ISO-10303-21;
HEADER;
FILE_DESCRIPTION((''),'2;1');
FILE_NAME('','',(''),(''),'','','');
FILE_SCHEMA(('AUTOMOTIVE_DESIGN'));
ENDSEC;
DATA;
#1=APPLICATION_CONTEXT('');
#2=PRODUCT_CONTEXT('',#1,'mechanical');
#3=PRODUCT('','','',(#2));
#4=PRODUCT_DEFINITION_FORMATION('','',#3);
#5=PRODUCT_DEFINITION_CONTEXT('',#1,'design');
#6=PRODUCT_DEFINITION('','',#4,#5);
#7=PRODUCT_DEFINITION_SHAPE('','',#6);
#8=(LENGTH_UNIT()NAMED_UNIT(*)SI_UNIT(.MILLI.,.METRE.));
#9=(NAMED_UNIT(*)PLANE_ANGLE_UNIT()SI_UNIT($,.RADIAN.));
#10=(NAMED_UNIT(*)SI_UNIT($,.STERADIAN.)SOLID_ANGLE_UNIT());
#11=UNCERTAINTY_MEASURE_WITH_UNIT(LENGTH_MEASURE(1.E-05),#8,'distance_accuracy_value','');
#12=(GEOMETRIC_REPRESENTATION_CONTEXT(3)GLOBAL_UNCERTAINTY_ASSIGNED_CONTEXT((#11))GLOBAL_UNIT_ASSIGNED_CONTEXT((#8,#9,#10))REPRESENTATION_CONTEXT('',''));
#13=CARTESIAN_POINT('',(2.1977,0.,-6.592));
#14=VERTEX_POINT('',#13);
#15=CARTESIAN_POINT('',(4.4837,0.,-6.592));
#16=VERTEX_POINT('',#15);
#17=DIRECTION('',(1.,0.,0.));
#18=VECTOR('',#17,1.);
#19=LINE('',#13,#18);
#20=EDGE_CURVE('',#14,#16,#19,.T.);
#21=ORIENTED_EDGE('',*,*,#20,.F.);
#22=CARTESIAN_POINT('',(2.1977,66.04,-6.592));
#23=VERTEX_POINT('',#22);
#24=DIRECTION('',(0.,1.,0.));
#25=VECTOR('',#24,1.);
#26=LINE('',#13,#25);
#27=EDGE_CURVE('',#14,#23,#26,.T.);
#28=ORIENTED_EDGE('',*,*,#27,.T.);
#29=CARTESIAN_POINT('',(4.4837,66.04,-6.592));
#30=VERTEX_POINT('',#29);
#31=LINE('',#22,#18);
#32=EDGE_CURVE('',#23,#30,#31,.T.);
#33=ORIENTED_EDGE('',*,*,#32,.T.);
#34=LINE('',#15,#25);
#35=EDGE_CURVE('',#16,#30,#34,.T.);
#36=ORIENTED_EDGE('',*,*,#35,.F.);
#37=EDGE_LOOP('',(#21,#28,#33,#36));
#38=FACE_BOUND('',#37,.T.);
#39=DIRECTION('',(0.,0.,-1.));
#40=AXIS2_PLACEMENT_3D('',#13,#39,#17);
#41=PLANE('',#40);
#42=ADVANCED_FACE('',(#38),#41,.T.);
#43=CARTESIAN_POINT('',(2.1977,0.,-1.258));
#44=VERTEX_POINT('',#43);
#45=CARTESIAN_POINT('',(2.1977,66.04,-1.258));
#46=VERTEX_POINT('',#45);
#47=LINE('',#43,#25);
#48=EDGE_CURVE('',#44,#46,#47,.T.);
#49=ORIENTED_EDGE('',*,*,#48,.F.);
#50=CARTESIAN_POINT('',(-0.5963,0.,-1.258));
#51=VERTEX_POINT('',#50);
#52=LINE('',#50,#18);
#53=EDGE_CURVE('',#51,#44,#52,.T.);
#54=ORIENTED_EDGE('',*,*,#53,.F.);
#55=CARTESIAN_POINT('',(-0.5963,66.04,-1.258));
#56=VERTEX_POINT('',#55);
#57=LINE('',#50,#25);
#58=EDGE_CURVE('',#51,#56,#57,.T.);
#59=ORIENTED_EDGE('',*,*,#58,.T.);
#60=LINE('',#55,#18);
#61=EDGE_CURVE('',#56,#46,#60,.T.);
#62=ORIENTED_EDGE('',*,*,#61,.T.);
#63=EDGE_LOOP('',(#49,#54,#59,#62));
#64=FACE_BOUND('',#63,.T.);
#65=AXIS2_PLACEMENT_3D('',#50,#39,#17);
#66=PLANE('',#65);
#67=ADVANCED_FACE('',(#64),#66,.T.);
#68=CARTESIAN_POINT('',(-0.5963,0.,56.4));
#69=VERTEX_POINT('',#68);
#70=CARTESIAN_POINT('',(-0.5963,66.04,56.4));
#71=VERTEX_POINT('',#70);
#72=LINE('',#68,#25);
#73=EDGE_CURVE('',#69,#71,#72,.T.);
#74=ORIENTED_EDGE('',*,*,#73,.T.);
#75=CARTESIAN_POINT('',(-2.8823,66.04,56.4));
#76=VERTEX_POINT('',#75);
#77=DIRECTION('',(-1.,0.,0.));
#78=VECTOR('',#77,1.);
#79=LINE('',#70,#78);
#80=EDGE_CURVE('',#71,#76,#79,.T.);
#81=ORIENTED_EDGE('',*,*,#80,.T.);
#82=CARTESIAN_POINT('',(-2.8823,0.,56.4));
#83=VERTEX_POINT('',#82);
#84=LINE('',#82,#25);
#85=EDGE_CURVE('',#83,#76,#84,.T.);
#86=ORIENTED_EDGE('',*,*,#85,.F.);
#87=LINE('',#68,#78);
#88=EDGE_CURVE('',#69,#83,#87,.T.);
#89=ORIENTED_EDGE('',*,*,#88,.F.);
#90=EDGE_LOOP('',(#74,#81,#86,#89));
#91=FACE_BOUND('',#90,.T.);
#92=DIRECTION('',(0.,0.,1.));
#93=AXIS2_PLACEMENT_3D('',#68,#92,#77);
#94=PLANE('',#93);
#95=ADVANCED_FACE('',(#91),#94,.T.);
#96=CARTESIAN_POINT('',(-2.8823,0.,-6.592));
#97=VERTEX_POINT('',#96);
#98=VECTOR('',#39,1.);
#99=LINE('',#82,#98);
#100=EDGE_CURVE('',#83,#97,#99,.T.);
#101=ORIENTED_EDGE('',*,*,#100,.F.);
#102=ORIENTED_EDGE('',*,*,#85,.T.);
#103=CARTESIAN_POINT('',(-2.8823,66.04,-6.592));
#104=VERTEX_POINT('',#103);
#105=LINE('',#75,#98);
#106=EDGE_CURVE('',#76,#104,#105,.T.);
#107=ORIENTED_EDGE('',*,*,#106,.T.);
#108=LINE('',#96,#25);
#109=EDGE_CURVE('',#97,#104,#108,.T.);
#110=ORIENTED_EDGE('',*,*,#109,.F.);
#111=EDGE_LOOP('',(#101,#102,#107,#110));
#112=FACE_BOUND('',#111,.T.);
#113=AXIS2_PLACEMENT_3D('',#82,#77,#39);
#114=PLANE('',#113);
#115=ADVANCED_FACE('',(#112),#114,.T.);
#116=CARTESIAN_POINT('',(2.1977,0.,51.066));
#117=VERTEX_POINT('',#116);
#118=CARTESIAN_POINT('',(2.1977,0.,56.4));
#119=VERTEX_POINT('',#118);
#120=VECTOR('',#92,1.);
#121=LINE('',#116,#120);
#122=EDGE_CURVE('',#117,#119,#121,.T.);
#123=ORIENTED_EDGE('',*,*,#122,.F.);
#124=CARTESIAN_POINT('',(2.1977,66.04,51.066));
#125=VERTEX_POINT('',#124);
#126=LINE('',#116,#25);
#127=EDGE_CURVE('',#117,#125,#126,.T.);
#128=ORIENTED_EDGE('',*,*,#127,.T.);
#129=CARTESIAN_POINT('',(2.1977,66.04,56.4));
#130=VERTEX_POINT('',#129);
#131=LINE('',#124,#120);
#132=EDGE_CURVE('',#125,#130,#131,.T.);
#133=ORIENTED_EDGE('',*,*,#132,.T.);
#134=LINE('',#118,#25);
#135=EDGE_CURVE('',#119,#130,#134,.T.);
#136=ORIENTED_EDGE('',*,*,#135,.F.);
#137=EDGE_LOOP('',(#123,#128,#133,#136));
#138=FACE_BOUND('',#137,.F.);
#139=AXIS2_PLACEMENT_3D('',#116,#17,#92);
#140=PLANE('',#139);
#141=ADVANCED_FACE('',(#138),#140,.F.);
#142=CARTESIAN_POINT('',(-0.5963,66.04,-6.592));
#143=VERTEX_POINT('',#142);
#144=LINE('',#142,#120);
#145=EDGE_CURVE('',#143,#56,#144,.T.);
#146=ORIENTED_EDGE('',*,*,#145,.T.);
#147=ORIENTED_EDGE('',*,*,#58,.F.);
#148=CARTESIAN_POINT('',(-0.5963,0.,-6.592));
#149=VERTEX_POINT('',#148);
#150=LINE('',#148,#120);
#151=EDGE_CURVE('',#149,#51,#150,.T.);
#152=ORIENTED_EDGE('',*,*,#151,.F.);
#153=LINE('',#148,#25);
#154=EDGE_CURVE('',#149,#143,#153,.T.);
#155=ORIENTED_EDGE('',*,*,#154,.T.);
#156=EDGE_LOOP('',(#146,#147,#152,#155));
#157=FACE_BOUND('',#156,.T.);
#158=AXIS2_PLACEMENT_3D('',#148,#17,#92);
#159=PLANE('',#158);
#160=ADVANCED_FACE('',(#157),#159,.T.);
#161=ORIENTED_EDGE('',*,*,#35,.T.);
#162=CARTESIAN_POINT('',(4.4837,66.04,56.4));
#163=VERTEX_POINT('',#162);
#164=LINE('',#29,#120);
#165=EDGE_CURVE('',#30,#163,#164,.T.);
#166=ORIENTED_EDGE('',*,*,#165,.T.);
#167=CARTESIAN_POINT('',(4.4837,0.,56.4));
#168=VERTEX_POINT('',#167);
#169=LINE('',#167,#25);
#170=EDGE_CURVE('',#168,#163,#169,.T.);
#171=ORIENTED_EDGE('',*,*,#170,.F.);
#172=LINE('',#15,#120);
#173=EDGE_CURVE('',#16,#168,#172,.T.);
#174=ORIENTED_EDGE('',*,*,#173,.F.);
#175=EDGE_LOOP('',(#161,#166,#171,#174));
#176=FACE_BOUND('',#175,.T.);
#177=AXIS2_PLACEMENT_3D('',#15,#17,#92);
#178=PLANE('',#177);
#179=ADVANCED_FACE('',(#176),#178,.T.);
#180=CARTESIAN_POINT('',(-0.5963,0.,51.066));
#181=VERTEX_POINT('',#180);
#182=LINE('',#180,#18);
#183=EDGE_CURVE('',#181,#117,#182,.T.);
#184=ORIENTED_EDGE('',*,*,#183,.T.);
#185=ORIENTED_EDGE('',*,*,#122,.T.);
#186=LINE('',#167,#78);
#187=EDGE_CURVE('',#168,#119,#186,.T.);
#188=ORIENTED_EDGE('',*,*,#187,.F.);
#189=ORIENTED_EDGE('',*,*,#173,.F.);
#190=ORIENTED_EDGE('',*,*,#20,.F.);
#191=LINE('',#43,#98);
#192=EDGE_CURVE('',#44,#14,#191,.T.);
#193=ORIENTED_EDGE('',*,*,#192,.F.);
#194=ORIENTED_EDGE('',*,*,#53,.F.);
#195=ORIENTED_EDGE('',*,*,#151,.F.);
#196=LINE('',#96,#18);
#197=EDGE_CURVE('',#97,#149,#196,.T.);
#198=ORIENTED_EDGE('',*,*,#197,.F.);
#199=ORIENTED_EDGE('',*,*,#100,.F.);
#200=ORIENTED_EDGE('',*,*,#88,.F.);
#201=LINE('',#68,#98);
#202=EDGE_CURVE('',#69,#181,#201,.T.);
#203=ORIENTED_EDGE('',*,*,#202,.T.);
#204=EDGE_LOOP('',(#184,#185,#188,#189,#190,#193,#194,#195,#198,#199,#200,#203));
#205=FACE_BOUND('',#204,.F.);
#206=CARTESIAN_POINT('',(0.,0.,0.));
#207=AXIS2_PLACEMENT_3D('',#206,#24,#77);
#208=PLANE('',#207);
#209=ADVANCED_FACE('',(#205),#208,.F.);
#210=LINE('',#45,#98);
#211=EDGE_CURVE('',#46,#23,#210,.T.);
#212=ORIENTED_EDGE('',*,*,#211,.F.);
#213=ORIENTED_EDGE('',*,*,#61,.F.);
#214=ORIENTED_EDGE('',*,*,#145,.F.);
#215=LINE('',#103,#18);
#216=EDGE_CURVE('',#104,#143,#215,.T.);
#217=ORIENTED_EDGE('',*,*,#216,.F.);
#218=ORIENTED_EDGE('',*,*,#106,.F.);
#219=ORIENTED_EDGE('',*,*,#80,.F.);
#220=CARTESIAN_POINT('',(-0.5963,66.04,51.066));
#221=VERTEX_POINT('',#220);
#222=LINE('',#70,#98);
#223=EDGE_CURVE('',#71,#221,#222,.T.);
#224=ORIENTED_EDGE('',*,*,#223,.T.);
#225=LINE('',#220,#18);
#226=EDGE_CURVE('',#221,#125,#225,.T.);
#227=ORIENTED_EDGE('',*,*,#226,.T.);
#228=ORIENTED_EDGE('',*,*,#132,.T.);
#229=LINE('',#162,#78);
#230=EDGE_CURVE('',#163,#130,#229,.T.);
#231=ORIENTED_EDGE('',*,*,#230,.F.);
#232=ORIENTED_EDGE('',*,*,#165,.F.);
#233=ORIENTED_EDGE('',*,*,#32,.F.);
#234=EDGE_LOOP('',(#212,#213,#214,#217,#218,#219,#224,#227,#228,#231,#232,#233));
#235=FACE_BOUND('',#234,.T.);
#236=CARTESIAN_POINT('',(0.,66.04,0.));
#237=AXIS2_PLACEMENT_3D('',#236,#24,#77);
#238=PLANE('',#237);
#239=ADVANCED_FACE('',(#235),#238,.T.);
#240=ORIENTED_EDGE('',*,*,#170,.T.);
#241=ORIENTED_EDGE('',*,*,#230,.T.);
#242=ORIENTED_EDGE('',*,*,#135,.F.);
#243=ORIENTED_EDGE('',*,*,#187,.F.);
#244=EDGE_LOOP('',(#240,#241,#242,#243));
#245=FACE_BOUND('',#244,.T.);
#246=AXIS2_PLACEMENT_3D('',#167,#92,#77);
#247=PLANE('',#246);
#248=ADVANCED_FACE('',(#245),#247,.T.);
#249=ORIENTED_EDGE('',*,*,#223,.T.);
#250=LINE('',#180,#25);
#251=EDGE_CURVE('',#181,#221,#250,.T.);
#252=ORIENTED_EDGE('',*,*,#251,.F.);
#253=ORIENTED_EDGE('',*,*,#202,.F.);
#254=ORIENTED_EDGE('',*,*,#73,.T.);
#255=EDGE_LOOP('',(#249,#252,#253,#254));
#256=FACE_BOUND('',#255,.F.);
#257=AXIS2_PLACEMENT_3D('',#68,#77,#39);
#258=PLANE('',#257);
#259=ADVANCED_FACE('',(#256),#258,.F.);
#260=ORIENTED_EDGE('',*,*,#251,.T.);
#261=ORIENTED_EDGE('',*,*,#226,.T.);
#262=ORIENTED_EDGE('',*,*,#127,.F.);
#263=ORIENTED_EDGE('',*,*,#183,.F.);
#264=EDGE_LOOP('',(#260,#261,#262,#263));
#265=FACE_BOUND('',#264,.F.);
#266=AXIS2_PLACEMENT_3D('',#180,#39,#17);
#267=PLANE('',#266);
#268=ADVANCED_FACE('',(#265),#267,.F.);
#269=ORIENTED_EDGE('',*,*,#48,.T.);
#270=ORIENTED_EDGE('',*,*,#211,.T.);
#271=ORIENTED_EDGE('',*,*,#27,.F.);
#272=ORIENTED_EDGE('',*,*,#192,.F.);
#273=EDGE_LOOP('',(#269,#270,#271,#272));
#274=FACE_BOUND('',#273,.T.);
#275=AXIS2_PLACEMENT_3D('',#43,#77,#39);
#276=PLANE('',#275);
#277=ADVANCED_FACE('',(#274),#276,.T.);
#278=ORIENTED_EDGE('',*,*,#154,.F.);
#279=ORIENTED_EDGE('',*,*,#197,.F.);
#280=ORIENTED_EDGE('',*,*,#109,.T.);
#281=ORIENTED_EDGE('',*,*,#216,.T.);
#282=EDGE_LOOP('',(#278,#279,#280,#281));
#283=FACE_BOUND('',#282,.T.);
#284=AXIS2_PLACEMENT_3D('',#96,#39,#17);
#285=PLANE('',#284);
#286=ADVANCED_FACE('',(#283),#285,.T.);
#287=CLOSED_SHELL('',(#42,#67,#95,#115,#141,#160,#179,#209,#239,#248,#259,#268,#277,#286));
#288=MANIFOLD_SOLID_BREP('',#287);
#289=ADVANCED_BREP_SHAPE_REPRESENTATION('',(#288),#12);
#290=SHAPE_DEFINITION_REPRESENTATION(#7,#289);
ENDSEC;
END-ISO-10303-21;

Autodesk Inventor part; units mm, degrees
ref_plane "YZ Plane" through (0, 0, 0) normal (1, 0, 0) x (0, 1, 0)
ref_plane "XZ Plane" through (0, 0, 0) normal (0, 1, 0) x (-1, 0, 0)
ref_plane "XY Plane" through (0, 0, 0) normal (0, 0, 1) x (1, 0, 0)
sketch "Sketch1" plane through (0, 0, 0) normal (0, 1, 0) x (-1, 0, 0)
  line L0 (2.8823, 56.4) -> (2.8823, -6.592)
  line L1 (-4.4837, -6.592) -> (-4.4837, 56.4)
  line L2 (0.5963, 56.4) -> (0.5963, 51.066)
  line L3 (0.5963, 51.066) -> (-2.1977, 51.066)
  line L4 (-2.1977, 51.066) -> (-2.1977, 56.4)
  line L5 (0.5963, -6.592) -> (0.5963, -1.258)
  line L6 (0.5963, -1.258) -> (-2.1977, -1.258)
  line L7 (-2.1977, -1.258) -> (-2.1977, -6.592)
  line L8 (-4.4837, 56.4) -> (-2.1977, 56.4)
  line L9 (0.5963, 56.4) -> (2.8823, 56.4)
  line L10 (2.8823, -6.592) -> (0.5963, -6.592)
  line L11 (-2.1977, -6.592) -> (-4.4837, -6.592)
  point P0 (0, 0)
  dimension "d0" = 7.366
  dimension "d1" = 62.992
  dimension "d2" = 2.286
  dimension "d3" = 2.286
  dimension "d5" = 2.286
  dimension "d6" = 2.286
  dimension "d7" = 5.334
  dimension "d8" = 5.334
  dimension "d9" = 5.334
  dimension "d10" = 5.334
extrude "Extrusion1" add sketch "Sketch1" along normal blind 66.04
properties part number "ceiling_case_cover"
